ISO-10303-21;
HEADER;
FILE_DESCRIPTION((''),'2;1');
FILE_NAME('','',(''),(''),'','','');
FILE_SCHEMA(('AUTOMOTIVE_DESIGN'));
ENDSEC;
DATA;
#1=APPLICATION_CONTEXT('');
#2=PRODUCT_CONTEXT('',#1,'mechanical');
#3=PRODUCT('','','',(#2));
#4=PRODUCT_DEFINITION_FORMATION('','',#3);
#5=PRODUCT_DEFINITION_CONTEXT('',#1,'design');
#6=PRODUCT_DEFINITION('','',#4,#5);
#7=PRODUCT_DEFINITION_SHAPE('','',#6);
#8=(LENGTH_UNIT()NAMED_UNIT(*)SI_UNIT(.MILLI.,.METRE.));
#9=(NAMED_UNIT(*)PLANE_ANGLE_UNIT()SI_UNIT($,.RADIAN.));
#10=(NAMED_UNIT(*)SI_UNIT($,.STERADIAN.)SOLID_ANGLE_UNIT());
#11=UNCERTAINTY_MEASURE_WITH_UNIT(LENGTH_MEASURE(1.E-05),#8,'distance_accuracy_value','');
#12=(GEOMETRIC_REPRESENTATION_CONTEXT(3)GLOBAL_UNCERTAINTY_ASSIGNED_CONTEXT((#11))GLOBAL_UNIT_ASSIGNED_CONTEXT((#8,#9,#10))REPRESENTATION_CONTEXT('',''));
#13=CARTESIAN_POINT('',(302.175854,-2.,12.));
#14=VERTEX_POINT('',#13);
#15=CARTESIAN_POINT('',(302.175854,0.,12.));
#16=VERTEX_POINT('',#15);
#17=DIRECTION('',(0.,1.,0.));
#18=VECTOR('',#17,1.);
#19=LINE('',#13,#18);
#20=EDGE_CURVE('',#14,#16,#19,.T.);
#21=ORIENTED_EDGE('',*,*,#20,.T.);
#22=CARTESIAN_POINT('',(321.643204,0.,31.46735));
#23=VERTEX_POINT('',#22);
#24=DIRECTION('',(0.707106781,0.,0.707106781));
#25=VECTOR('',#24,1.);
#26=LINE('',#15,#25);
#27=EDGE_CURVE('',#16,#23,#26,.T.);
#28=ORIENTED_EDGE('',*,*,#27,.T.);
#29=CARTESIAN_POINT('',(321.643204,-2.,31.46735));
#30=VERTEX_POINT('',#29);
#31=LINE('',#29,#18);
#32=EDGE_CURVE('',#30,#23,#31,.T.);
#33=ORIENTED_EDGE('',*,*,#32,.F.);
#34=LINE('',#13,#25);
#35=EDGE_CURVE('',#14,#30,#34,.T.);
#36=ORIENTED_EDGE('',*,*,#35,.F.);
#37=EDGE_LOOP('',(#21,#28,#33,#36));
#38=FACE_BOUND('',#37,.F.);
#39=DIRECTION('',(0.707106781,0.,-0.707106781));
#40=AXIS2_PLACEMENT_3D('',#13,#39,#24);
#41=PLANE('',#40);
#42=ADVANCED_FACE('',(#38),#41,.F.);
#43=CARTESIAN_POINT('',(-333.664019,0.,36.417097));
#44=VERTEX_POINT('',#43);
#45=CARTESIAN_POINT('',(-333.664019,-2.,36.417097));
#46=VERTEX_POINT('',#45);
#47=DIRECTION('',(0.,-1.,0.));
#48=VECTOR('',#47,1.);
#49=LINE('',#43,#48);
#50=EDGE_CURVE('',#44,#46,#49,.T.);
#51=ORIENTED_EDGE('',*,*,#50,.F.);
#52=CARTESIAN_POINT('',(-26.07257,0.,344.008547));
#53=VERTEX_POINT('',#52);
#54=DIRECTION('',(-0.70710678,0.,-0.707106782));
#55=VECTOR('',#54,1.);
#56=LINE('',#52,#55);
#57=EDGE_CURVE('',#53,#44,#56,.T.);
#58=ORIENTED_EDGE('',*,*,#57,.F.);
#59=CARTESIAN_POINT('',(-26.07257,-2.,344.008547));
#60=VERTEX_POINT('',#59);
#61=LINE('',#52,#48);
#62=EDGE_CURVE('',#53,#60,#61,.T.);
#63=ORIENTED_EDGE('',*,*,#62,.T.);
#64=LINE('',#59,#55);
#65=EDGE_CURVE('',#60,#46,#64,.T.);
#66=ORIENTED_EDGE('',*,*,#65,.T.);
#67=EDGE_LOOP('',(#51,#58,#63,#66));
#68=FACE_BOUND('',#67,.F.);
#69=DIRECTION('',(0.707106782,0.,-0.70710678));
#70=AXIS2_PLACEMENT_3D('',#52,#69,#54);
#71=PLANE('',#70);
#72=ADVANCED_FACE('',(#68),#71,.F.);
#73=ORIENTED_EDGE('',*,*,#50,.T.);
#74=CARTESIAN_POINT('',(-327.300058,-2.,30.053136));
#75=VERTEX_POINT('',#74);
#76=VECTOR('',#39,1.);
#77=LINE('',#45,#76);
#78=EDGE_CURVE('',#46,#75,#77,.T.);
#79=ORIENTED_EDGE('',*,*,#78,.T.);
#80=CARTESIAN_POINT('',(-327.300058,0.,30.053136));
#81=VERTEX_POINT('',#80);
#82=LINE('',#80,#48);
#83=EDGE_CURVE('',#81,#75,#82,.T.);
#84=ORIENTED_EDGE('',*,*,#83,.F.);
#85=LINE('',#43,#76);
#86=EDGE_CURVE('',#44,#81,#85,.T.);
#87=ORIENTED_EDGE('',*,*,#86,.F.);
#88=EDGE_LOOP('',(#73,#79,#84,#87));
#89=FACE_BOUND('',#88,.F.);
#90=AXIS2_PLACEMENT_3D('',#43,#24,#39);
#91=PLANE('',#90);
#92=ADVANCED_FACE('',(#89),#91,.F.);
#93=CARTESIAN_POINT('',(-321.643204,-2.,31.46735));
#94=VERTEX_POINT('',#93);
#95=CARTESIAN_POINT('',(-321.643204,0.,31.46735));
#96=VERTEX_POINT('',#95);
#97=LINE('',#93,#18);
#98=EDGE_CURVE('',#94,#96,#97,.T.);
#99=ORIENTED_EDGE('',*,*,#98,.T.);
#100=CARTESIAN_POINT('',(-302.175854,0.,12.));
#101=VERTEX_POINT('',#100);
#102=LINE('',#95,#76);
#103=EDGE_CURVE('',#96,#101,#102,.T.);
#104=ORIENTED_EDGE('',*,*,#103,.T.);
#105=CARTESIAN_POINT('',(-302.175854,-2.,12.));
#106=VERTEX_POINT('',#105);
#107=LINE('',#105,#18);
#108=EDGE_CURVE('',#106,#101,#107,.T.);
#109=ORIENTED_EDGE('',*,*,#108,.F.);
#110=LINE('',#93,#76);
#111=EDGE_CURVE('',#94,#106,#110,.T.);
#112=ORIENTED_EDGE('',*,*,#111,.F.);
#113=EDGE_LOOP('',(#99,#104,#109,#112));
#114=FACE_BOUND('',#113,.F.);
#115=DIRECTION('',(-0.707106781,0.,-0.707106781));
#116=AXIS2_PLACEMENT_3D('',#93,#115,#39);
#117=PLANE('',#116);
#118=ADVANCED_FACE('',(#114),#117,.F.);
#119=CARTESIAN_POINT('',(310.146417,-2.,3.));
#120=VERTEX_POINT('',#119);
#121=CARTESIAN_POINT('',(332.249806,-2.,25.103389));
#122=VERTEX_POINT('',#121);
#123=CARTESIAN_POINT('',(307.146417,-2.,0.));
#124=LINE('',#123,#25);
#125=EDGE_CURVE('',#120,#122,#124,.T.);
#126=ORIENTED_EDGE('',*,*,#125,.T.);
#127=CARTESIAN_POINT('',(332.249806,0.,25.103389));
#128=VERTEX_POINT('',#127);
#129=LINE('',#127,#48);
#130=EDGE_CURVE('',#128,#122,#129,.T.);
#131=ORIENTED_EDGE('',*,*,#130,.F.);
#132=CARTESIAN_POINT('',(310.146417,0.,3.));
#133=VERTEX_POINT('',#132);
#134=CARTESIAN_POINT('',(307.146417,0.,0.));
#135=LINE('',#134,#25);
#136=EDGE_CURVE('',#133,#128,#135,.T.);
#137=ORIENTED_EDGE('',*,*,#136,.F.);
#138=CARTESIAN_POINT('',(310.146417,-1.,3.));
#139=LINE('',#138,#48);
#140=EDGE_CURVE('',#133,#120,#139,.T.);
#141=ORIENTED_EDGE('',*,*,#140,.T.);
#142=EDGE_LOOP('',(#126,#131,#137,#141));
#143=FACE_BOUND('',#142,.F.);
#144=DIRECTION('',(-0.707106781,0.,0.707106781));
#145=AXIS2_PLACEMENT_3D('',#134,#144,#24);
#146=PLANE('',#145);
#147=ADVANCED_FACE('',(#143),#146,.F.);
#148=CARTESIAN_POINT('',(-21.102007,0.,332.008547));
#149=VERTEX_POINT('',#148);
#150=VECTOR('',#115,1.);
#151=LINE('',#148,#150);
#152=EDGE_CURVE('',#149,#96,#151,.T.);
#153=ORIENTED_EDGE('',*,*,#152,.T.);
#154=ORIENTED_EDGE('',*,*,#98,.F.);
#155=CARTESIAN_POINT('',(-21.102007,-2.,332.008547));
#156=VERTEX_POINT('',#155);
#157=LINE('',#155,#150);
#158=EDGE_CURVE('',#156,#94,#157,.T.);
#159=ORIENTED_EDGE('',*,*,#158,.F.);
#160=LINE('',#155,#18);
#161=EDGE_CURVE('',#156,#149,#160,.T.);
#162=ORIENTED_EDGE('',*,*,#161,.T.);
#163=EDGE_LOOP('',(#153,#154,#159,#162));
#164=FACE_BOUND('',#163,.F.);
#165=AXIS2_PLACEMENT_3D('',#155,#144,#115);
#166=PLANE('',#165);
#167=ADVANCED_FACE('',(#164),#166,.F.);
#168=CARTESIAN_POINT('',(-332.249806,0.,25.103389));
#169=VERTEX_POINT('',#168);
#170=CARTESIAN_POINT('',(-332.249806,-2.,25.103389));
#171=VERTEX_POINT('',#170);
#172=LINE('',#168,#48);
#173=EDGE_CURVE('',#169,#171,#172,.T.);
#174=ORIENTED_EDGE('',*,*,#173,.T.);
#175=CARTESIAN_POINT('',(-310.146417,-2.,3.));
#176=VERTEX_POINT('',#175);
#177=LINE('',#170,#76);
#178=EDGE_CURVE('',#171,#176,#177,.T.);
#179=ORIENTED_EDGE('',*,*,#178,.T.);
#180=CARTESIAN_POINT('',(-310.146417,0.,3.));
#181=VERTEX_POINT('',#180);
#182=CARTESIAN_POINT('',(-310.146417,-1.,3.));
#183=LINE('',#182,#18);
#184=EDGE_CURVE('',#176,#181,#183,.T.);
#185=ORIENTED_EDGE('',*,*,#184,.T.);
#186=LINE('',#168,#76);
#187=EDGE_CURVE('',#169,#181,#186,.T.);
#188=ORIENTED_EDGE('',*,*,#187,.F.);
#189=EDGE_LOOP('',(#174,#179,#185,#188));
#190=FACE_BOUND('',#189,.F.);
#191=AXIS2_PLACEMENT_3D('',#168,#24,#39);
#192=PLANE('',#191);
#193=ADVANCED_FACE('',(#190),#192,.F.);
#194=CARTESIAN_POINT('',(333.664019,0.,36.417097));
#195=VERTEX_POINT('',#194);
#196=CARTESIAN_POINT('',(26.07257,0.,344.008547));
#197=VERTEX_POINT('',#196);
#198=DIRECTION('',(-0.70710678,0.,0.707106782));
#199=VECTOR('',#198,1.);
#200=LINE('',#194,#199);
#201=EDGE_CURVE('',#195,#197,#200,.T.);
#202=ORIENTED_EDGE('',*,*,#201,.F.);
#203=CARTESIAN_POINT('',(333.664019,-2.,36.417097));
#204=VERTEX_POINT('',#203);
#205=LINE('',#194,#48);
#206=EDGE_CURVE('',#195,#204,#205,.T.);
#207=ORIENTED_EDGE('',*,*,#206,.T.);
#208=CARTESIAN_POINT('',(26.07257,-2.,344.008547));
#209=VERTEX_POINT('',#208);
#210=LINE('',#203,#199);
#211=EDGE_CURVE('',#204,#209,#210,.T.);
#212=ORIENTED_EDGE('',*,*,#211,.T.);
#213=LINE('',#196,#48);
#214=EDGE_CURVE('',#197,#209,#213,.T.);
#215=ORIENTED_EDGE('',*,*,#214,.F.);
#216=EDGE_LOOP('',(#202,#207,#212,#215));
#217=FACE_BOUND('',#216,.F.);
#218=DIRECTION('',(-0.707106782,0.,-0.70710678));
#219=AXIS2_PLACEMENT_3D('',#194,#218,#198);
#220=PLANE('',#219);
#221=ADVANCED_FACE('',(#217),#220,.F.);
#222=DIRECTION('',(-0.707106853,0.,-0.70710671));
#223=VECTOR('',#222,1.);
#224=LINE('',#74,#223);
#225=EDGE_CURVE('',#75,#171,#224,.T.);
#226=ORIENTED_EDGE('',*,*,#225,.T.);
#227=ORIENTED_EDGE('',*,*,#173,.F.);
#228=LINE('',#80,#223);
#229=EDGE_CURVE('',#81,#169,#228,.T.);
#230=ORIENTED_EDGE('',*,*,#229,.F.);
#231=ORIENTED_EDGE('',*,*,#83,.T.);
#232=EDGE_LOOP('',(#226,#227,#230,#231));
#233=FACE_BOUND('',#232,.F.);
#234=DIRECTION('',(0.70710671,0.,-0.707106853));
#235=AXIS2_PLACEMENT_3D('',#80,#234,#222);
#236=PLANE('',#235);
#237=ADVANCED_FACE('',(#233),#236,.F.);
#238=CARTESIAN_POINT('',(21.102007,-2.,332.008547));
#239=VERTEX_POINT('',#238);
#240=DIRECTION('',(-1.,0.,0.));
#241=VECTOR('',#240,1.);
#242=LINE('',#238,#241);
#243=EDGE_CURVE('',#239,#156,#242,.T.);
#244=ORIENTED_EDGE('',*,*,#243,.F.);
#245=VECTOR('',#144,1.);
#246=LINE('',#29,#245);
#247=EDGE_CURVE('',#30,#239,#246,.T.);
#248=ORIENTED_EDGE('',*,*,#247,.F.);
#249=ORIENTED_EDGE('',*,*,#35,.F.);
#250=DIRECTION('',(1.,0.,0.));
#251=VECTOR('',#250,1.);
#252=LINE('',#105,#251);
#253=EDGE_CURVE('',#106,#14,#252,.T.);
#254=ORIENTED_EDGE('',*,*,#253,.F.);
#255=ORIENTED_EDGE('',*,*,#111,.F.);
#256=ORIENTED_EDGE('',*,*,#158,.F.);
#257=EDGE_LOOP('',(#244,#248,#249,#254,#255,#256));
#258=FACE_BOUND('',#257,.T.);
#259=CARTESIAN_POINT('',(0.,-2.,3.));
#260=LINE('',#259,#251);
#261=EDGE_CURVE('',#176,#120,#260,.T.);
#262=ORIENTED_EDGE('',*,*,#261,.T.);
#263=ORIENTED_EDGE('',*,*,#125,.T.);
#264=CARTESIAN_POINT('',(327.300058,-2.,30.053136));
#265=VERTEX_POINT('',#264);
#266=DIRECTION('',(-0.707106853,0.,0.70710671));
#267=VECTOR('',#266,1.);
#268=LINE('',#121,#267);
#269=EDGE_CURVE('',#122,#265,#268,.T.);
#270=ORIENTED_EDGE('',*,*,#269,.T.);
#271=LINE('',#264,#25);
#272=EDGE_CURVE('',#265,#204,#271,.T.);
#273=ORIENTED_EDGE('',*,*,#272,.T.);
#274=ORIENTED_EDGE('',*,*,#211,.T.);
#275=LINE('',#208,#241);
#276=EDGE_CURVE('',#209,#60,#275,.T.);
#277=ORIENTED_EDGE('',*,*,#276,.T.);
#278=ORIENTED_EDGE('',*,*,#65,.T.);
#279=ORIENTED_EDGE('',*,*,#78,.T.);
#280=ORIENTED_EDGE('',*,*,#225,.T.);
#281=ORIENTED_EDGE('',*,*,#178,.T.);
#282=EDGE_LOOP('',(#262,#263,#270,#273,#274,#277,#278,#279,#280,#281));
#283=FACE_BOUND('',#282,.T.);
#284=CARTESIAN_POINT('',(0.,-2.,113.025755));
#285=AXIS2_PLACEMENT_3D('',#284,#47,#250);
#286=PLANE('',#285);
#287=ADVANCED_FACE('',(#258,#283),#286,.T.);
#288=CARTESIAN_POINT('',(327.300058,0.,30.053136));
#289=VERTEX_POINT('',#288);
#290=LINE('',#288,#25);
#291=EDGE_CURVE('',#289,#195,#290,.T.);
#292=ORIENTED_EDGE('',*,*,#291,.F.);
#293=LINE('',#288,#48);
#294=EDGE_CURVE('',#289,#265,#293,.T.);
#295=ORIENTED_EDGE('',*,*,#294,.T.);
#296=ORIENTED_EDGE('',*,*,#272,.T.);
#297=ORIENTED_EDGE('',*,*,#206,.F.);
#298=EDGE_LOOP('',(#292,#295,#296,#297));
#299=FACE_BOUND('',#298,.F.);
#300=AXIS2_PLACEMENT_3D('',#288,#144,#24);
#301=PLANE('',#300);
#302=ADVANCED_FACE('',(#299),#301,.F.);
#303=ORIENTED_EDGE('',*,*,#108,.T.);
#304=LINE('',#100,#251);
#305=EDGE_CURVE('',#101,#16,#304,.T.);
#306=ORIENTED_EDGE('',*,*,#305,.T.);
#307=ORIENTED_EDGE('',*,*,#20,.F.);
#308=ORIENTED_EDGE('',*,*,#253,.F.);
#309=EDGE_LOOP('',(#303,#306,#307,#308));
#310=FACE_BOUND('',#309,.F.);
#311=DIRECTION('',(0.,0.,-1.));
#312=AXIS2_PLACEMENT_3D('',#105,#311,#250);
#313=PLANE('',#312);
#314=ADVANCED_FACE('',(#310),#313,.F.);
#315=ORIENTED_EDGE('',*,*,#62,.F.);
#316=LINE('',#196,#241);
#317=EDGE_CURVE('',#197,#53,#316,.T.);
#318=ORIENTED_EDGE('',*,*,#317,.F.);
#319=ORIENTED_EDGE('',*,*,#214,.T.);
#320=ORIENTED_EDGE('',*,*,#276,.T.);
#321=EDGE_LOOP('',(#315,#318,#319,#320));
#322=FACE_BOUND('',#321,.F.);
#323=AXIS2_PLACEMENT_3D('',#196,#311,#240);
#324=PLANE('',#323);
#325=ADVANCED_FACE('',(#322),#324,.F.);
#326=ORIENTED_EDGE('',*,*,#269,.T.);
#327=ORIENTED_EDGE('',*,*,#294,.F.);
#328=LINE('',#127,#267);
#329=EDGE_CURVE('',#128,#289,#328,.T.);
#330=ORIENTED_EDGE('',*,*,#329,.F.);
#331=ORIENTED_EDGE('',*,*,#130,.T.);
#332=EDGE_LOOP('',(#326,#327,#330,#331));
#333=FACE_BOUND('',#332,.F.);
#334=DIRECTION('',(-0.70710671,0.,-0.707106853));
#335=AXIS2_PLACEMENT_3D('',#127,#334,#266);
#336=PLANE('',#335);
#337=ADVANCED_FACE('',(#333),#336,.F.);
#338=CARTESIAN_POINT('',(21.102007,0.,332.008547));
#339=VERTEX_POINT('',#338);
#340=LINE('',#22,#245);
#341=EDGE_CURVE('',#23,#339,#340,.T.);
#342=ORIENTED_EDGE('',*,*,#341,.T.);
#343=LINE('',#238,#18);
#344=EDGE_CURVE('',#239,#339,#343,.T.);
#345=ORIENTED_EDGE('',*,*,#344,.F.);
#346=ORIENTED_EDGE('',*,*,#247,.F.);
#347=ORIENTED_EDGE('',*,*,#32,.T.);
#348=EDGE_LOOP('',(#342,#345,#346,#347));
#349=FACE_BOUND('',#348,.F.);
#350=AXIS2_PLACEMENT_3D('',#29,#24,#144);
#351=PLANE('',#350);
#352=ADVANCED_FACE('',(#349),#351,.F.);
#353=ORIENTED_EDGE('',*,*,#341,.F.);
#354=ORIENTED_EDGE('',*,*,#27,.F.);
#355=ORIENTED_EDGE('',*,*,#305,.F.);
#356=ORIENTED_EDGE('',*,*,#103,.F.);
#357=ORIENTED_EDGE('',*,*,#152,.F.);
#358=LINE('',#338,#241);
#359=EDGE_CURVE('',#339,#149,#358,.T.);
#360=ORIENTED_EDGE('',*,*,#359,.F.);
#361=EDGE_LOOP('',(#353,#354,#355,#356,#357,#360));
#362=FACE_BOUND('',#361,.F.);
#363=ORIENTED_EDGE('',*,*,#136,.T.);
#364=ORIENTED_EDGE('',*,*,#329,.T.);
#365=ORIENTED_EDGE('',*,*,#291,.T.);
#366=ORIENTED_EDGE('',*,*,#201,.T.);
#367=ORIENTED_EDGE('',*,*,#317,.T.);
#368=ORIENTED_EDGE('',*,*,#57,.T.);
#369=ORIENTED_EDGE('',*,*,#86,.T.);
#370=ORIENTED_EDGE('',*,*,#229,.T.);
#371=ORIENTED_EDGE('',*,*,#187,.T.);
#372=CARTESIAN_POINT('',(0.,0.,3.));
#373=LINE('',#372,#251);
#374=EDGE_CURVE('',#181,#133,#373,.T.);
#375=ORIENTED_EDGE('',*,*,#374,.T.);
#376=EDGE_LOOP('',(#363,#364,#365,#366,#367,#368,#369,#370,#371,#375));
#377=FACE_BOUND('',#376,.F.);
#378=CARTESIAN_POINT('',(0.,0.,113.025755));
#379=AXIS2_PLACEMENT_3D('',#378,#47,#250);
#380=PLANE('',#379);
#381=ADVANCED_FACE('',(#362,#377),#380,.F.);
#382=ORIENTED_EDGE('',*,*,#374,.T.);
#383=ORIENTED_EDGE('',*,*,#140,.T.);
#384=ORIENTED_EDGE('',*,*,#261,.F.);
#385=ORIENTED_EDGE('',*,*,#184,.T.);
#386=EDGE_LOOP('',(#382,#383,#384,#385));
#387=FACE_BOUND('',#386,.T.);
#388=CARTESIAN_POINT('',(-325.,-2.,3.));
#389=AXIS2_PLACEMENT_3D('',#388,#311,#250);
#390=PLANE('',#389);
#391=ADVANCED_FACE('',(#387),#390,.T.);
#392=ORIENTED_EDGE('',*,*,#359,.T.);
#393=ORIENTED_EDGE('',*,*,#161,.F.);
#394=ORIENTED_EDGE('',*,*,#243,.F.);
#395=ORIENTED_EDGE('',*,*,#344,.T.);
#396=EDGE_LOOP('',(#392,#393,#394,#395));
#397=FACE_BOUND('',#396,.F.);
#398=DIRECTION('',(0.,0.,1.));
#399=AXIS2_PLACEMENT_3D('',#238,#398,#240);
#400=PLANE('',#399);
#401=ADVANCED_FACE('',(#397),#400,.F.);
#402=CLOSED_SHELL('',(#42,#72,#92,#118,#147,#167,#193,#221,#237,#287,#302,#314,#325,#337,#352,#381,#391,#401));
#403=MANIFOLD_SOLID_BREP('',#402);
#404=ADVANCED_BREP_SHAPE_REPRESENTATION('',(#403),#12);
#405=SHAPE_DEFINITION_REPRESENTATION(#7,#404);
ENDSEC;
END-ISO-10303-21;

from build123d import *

# Parameters (mm, degrees)
F1_DEPTH = 2
F3_DEPTH = 2
F4_W     = 650
F4_H     = 6
F5_DEPTH = 2


with BuildPart() as f1:
    # F0 (on Front) → F1 (new body)
    with BuildSketch(Plane.XZ):
        Polygon((327.300058, 30.053136), (333.664019, 36.417097), (26.07257, 344.008547), (0, 344.008547), (-26.07257, 344.008547), (-333.664019, 36.417097), (-327.300058, 30.053136), (-332.249806, 25.103389), (-307.146417, 0), (0, 0), (307.146417, 0), (332.249806, 25.103389), align=None)
    extrude(amount=F1_DEPTH)

    # F2 (on face) → F3 (cut)
    with BuildSketch(Plane.XZ.offset(2)):
        Polygon((321.643204, 31.46735), (21.102007, 332.008547), (0, 332.008547), (-21.102007, 332.008547), (-321.643204, 31.46735), (-302.175854, 12), (0, 12), (302.175854, 12), align=None)
    extrude(amount=-F3_DEPTH, mode=Mode.SUBTRACT)

    # F4 (on face) → F5 (cut)
    with BuildSketch(Plane.XZ.offset(2)):
        Rectangle(F4_W, F4_H)
    extrude(amount=-F5_DEPTH, mode=Mode.SUBTRACT)


solid = f1.part
